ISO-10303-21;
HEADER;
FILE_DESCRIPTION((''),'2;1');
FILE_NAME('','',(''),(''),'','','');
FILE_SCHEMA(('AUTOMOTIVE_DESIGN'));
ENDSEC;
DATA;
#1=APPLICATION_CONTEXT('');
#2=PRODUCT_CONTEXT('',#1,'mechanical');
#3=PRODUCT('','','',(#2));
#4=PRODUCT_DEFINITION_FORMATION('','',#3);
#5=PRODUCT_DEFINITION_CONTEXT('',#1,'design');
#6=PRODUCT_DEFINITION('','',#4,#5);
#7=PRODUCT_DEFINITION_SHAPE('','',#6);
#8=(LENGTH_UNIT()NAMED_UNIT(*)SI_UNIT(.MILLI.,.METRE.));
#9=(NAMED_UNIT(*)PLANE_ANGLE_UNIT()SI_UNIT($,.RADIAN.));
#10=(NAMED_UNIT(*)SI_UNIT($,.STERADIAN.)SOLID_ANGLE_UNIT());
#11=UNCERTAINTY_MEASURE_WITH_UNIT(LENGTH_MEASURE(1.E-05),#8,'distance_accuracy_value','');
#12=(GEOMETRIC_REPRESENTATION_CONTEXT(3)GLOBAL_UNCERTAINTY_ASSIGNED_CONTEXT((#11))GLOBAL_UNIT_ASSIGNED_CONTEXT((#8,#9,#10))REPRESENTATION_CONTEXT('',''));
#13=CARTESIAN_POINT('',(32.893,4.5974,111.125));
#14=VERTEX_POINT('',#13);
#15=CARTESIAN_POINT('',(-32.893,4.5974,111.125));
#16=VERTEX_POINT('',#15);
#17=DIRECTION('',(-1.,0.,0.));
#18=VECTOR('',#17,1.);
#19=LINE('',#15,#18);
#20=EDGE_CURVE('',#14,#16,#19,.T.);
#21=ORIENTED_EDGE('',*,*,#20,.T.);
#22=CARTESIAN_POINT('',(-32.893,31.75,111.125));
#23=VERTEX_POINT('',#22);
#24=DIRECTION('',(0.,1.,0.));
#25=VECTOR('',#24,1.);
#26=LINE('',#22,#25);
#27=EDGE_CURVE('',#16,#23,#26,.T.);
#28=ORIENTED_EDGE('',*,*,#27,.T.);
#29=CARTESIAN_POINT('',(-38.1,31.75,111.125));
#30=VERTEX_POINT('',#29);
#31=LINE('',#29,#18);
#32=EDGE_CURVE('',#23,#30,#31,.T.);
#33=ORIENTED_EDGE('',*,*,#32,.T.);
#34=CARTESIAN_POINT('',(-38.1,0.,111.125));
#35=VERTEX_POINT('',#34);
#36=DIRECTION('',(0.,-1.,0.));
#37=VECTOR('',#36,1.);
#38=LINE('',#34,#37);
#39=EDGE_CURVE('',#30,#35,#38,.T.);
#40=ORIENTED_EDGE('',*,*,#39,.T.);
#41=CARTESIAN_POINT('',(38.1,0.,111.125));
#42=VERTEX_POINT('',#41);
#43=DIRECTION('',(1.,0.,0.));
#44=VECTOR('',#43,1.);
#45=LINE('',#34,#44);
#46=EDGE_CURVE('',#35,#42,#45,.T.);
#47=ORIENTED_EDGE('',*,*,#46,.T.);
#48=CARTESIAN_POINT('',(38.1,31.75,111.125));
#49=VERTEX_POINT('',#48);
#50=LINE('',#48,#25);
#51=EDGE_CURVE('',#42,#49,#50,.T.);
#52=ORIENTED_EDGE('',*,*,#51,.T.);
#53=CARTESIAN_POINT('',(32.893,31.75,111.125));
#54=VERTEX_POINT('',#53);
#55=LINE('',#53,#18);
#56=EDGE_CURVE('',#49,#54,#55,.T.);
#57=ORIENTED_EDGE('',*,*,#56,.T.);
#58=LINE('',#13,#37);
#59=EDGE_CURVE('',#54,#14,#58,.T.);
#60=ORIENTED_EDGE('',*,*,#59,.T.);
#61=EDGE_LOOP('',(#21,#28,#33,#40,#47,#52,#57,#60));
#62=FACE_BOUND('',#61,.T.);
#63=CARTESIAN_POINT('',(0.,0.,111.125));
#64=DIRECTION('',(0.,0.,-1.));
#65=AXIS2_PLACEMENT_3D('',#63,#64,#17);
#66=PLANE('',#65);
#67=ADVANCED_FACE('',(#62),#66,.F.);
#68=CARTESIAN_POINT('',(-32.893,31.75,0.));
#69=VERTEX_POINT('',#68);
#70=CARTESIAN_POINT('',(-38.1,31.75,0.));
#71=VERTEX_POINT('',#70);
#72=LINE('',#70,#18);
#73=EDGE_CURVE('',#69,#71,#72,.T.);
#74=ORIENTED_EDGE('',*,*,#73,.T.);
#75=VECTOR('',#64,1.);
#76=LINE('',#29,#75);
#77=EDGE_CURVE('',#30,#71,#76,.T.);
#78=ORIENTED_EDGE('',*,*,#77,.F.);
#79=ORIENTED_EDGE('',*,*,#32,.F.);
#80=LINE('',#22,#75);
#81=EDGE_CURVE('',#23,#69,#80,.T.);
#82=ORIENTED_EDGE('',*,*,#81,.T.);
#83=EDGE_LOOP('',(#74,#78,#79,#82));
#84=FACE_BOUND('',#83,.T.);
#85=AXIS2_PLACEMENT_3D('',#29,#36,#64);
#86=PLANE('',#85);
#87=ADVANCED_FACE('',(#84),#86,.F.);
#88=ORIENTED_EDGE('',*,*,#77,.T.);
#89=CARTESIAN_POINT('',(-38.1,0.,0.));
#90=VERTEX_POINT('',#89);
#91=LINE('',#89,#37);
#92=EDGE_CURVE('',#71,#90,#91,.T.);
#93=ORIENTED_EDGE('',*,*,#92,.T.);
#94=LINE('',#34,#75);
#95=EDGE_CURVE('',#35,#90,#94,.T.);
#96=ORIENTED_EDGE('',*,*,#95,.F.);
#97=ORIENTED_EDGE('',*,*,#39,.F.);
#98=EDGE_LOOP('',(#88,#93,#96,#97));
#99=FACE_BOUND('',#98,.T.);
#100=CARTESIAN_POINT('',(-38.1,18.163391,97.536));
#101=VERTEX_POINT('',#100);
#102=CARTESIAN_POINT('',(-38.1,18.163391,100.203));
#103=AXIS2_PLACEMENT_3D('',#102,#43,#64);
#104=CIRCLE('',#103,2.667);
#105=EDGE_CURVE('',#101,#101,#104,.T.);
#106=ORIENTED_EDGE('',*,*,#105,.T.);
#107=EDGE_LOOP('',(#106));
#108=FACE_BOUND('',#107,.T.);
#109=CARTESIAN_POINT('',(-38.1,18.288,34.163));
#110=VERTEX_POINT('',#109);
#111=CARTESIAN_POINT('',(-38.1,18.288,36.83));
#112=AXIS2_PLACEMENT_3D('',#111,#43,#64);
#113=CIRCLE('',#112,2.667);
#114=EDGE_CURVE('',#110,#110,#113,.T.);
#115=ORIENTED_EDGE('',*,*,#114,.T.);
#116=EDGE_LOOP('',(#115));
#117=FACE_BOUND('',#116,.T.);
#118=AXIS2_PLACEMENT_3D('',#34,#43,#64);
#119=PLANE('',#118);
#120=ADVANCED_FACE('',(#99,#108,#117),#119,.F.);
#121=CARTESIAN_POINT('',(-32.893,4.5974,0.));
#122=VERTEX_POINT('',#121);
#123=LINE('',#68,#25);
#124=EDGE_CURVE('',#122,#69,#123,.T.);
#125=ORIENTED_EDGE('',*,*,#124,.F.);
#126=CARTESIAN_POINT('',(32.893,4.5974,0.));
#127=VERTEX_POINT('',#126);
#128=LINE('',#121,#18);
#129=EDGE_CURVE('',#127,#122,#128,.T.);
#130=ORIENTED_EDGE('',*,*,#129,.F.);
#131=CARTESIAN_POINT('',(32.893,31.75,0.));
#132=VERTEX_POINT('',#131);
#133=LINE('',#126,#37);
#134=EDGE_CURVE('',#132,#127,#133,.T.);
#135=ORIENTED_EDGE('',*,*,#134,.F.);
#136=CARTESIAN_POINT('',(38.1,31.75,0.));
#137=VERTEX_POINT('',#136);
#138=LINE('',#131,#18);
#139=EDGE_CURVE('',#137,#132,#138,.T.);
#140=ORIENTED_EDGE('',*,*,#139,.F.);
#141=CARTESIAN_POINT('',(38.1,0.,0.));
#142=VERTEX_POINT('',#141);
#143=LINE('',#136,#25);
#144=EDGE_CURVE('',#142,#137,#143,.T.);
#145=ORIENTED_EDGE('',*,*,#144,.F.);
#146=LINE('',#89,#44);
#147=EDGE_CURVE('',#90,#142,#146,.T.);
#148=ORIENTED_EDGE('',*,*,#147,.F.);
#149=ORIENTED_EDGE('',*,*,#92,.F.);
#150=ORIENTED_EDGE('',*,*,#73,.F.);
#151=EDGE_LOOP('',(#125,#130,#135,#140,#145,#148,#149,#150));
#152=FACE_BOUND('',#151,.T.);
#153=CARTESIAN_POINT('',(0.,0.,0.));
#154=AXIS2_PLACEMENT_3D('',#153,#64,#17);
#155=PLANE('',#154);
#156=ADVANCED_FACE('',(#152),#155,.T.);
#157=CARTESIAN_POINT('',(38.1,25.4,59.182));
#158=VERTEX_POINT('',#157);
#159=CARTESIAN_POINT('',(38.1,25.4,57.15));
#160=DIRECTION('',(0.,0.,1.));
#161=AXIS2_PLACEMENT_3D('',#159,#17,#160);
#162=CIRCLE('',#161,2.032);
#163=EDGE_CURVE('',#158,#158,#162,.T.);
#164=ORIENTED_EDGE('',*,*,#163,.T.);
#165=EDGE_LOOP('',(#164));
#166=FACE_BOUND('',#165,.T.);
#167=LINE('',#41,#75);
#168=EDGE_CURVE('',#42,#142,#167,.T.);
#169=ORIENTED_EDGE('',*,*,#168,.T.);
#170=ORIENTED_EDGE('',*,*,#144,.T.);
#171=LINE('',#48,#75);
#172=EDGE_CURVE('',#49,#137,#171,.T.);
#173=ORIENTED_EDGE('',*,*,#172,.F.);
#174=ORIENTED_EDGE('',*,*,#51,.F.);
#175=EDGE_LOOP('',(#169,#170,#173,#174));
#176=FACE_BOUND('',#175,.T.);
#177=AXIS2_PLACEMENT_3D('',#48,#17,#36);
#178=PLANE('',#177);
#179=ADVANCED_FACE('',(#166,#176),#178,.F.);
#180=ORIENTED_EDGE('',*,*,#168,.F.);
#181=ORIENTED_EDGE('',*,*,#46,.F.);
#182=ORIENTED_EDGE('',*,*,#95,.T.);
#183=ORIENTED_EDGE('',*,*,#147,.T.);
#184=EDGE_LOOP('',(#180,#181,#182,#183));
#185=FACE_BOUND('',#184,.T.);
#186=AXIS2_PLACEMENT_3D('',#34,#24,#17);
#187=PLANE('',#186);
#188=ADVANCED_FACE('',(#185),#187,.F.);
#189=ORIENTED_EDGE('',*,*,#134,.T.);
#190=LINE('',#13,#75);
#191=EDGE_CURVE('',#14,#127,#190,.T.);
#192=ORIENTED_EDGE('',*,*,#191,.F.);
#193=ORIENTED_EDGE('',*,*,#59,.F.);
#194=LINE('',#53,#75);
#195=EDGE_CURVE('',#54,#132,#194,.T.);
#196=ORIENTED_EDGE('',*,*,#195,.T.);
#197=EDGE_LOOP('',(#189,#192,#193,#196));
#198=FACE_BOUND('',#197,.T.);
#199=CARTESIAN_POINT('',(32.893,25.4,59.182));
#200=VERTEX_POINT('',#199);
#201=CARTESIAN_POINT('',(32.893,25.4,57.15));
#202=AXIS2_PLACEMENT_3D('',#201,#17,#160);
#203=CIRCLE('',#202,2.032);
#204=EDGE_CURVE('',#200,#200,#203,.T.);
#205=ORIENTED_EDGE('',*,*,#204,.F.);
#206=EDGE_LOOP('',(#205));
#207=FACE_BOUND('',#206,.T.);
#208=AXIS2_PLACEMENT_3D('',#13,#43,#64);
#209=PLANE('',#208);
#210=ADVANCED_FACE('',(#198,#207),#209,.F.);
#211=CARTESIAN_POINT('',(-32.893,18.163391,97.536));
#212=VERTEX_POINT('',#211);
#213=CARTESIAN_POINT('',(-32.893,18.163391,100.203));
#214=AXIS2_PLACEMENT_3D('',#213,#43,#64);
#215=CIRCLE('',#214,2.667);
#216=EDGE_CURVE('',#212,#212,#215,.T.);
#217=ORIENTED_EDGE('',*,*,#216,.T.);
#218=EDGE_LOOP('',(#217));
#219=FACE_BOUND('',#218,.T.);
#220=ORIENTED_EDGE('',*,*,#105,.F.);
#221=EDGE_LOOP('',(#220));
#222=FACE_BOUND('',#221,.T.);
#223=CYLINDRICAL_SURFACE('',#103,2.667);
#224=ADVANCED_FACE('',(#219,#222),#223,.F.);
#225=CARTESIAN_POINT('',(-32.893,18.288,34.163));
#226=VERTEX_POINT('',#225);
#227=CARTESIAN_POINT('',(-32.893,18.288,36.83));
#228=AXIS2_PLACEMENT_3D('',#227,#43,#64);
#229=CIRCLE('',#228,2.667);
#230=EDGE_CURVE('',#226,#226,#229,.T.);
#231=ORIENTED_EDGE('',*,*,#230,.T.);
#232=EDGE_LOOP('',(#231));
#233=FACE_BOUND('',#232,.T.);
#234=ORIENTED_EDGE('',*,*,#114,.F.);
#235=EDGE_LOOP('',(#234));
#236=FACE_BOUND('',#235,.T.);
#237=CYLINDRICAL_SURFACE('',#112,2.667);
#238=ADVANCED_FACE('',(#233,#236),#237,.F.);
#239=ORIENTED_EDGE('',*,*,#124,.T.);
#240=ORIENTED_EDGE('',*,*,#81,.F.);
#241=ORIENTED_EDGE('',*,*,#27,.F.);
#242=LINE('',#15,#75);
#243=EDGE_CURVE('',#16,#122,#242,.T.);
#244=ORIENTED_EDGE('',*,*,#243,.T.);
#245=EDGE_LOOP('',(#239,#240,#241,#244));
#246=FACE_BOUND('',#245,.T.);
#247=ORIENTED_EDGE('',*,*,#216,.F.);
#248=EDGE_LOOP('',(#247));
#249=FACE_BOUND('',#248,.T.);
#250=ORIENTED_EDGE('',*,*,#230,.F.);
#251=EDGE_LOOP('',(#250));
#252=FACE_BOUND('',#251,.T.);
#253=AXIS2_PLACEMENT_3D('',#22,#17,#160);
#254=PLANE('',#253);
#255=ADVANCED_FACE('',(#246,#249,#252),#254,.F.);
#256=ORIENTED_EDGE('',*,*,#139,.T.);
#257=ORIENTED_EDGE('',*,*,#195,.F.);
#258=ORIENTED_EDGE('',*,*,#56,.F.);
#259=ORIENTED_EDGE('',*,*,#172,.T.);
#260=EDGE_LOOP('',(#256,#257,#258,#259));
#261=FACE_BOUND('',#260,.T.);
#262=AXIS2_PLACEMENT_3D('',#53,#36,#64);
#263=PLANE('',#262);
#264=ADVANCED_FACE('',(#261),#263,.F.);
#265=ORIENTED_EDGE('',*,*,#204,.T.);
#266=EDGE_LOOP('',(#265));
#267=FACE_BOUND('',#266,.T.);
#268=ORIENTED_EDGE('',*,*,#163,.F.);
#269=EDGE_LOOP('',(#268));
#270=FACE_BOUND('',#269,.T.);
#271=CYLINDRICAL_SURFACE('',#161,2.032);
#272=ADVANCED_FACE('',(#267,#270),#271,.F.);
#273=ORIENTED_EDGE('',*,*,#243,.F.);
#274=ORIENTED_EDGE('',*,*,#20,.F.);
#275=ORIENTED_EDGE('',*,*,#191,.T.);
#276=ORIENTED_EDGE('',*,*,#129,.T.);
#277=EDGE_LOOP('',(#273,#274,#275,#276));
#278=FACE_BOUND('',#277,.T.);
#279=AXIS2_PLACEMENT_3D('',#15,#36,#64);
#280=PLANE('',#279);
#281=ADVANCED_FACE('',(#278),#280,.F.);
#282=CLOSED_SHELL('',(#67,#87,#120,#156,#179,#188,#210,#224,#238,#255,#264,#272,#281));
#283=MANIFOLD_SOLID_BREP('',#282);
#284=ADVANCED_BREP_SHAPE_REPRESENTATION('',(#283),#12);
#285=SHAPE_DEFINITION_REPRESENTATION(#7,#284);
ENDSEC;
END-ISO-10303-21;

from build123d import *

# Parameters (mm, degrees)
BOSS_EXTRUDE3_DEPTH = 111.125
SKETCH4_R           = 2.667
CUT_EXTRUDE1_DEPTH  = 136.634929771
SKETCH5_R           = 2.667
CUT_EXTRUDE2_DEPTH  = 136.634929771
SKETCH6_R           = 2.032
CUT_EXTRUDE3_DEPTH  = 136.634929771


with BuildPart() as part:
    # Sketch2 → Boss-Extrude3 (new body)
    with BuildSketch(Plane.XY):
        Polygon((-38.1, 0), (38.1, 0), (38.1, 31.75), (32.893, 31.75), (32.893, 4.5974), (-32.893, 4.5974), (-32.893, 31.75), (-38.1, 31.75), align=None)
    extrude(amount=BOSS_EXTRUDE3_DEPTH)

    # Sketch4 → Cut-Extrude1 (cut, through all)
    with BuildSketch(Plane(origin=(-32.893, 0, 0), x_dir=(0, 0, -1), z_dir=(1, 0, 0))):
        with Locations((-36.83, 18.288)):
            Circle(SKETCH4_R)
    extrude(amount=-CUT_EXTRUDE1_DEPTH, mode=Mode.SUBTRACT)

    # Sketch5 → Cut-Extrude2 (cut, through all)
    with BuildSketch(Plane(origin=(-32.893, 0, 0), x_dir=(0, 0, -1), z_dir=(1, 0, 0))):
        with Locations((-100.203, 18.163390835)):
            Circle(SKETCH5_R)
    extrude(amount=-CUT_EXTRUDE2_DEPTH, mode=Mode.SUBTRACT)

    # Sketch6 → Cut-Extrude3 (cut, through all)
    with BuildSketch(Plane.ZY.offset(-32.893)):
        with Locations((57.15, 25.4)):
            Circle(SKETCH6_R)
    extrude(amount=-CUT_EXTRUDE3_DEPTH, mode=Mode.SUBTRACT)


solid = part.part
